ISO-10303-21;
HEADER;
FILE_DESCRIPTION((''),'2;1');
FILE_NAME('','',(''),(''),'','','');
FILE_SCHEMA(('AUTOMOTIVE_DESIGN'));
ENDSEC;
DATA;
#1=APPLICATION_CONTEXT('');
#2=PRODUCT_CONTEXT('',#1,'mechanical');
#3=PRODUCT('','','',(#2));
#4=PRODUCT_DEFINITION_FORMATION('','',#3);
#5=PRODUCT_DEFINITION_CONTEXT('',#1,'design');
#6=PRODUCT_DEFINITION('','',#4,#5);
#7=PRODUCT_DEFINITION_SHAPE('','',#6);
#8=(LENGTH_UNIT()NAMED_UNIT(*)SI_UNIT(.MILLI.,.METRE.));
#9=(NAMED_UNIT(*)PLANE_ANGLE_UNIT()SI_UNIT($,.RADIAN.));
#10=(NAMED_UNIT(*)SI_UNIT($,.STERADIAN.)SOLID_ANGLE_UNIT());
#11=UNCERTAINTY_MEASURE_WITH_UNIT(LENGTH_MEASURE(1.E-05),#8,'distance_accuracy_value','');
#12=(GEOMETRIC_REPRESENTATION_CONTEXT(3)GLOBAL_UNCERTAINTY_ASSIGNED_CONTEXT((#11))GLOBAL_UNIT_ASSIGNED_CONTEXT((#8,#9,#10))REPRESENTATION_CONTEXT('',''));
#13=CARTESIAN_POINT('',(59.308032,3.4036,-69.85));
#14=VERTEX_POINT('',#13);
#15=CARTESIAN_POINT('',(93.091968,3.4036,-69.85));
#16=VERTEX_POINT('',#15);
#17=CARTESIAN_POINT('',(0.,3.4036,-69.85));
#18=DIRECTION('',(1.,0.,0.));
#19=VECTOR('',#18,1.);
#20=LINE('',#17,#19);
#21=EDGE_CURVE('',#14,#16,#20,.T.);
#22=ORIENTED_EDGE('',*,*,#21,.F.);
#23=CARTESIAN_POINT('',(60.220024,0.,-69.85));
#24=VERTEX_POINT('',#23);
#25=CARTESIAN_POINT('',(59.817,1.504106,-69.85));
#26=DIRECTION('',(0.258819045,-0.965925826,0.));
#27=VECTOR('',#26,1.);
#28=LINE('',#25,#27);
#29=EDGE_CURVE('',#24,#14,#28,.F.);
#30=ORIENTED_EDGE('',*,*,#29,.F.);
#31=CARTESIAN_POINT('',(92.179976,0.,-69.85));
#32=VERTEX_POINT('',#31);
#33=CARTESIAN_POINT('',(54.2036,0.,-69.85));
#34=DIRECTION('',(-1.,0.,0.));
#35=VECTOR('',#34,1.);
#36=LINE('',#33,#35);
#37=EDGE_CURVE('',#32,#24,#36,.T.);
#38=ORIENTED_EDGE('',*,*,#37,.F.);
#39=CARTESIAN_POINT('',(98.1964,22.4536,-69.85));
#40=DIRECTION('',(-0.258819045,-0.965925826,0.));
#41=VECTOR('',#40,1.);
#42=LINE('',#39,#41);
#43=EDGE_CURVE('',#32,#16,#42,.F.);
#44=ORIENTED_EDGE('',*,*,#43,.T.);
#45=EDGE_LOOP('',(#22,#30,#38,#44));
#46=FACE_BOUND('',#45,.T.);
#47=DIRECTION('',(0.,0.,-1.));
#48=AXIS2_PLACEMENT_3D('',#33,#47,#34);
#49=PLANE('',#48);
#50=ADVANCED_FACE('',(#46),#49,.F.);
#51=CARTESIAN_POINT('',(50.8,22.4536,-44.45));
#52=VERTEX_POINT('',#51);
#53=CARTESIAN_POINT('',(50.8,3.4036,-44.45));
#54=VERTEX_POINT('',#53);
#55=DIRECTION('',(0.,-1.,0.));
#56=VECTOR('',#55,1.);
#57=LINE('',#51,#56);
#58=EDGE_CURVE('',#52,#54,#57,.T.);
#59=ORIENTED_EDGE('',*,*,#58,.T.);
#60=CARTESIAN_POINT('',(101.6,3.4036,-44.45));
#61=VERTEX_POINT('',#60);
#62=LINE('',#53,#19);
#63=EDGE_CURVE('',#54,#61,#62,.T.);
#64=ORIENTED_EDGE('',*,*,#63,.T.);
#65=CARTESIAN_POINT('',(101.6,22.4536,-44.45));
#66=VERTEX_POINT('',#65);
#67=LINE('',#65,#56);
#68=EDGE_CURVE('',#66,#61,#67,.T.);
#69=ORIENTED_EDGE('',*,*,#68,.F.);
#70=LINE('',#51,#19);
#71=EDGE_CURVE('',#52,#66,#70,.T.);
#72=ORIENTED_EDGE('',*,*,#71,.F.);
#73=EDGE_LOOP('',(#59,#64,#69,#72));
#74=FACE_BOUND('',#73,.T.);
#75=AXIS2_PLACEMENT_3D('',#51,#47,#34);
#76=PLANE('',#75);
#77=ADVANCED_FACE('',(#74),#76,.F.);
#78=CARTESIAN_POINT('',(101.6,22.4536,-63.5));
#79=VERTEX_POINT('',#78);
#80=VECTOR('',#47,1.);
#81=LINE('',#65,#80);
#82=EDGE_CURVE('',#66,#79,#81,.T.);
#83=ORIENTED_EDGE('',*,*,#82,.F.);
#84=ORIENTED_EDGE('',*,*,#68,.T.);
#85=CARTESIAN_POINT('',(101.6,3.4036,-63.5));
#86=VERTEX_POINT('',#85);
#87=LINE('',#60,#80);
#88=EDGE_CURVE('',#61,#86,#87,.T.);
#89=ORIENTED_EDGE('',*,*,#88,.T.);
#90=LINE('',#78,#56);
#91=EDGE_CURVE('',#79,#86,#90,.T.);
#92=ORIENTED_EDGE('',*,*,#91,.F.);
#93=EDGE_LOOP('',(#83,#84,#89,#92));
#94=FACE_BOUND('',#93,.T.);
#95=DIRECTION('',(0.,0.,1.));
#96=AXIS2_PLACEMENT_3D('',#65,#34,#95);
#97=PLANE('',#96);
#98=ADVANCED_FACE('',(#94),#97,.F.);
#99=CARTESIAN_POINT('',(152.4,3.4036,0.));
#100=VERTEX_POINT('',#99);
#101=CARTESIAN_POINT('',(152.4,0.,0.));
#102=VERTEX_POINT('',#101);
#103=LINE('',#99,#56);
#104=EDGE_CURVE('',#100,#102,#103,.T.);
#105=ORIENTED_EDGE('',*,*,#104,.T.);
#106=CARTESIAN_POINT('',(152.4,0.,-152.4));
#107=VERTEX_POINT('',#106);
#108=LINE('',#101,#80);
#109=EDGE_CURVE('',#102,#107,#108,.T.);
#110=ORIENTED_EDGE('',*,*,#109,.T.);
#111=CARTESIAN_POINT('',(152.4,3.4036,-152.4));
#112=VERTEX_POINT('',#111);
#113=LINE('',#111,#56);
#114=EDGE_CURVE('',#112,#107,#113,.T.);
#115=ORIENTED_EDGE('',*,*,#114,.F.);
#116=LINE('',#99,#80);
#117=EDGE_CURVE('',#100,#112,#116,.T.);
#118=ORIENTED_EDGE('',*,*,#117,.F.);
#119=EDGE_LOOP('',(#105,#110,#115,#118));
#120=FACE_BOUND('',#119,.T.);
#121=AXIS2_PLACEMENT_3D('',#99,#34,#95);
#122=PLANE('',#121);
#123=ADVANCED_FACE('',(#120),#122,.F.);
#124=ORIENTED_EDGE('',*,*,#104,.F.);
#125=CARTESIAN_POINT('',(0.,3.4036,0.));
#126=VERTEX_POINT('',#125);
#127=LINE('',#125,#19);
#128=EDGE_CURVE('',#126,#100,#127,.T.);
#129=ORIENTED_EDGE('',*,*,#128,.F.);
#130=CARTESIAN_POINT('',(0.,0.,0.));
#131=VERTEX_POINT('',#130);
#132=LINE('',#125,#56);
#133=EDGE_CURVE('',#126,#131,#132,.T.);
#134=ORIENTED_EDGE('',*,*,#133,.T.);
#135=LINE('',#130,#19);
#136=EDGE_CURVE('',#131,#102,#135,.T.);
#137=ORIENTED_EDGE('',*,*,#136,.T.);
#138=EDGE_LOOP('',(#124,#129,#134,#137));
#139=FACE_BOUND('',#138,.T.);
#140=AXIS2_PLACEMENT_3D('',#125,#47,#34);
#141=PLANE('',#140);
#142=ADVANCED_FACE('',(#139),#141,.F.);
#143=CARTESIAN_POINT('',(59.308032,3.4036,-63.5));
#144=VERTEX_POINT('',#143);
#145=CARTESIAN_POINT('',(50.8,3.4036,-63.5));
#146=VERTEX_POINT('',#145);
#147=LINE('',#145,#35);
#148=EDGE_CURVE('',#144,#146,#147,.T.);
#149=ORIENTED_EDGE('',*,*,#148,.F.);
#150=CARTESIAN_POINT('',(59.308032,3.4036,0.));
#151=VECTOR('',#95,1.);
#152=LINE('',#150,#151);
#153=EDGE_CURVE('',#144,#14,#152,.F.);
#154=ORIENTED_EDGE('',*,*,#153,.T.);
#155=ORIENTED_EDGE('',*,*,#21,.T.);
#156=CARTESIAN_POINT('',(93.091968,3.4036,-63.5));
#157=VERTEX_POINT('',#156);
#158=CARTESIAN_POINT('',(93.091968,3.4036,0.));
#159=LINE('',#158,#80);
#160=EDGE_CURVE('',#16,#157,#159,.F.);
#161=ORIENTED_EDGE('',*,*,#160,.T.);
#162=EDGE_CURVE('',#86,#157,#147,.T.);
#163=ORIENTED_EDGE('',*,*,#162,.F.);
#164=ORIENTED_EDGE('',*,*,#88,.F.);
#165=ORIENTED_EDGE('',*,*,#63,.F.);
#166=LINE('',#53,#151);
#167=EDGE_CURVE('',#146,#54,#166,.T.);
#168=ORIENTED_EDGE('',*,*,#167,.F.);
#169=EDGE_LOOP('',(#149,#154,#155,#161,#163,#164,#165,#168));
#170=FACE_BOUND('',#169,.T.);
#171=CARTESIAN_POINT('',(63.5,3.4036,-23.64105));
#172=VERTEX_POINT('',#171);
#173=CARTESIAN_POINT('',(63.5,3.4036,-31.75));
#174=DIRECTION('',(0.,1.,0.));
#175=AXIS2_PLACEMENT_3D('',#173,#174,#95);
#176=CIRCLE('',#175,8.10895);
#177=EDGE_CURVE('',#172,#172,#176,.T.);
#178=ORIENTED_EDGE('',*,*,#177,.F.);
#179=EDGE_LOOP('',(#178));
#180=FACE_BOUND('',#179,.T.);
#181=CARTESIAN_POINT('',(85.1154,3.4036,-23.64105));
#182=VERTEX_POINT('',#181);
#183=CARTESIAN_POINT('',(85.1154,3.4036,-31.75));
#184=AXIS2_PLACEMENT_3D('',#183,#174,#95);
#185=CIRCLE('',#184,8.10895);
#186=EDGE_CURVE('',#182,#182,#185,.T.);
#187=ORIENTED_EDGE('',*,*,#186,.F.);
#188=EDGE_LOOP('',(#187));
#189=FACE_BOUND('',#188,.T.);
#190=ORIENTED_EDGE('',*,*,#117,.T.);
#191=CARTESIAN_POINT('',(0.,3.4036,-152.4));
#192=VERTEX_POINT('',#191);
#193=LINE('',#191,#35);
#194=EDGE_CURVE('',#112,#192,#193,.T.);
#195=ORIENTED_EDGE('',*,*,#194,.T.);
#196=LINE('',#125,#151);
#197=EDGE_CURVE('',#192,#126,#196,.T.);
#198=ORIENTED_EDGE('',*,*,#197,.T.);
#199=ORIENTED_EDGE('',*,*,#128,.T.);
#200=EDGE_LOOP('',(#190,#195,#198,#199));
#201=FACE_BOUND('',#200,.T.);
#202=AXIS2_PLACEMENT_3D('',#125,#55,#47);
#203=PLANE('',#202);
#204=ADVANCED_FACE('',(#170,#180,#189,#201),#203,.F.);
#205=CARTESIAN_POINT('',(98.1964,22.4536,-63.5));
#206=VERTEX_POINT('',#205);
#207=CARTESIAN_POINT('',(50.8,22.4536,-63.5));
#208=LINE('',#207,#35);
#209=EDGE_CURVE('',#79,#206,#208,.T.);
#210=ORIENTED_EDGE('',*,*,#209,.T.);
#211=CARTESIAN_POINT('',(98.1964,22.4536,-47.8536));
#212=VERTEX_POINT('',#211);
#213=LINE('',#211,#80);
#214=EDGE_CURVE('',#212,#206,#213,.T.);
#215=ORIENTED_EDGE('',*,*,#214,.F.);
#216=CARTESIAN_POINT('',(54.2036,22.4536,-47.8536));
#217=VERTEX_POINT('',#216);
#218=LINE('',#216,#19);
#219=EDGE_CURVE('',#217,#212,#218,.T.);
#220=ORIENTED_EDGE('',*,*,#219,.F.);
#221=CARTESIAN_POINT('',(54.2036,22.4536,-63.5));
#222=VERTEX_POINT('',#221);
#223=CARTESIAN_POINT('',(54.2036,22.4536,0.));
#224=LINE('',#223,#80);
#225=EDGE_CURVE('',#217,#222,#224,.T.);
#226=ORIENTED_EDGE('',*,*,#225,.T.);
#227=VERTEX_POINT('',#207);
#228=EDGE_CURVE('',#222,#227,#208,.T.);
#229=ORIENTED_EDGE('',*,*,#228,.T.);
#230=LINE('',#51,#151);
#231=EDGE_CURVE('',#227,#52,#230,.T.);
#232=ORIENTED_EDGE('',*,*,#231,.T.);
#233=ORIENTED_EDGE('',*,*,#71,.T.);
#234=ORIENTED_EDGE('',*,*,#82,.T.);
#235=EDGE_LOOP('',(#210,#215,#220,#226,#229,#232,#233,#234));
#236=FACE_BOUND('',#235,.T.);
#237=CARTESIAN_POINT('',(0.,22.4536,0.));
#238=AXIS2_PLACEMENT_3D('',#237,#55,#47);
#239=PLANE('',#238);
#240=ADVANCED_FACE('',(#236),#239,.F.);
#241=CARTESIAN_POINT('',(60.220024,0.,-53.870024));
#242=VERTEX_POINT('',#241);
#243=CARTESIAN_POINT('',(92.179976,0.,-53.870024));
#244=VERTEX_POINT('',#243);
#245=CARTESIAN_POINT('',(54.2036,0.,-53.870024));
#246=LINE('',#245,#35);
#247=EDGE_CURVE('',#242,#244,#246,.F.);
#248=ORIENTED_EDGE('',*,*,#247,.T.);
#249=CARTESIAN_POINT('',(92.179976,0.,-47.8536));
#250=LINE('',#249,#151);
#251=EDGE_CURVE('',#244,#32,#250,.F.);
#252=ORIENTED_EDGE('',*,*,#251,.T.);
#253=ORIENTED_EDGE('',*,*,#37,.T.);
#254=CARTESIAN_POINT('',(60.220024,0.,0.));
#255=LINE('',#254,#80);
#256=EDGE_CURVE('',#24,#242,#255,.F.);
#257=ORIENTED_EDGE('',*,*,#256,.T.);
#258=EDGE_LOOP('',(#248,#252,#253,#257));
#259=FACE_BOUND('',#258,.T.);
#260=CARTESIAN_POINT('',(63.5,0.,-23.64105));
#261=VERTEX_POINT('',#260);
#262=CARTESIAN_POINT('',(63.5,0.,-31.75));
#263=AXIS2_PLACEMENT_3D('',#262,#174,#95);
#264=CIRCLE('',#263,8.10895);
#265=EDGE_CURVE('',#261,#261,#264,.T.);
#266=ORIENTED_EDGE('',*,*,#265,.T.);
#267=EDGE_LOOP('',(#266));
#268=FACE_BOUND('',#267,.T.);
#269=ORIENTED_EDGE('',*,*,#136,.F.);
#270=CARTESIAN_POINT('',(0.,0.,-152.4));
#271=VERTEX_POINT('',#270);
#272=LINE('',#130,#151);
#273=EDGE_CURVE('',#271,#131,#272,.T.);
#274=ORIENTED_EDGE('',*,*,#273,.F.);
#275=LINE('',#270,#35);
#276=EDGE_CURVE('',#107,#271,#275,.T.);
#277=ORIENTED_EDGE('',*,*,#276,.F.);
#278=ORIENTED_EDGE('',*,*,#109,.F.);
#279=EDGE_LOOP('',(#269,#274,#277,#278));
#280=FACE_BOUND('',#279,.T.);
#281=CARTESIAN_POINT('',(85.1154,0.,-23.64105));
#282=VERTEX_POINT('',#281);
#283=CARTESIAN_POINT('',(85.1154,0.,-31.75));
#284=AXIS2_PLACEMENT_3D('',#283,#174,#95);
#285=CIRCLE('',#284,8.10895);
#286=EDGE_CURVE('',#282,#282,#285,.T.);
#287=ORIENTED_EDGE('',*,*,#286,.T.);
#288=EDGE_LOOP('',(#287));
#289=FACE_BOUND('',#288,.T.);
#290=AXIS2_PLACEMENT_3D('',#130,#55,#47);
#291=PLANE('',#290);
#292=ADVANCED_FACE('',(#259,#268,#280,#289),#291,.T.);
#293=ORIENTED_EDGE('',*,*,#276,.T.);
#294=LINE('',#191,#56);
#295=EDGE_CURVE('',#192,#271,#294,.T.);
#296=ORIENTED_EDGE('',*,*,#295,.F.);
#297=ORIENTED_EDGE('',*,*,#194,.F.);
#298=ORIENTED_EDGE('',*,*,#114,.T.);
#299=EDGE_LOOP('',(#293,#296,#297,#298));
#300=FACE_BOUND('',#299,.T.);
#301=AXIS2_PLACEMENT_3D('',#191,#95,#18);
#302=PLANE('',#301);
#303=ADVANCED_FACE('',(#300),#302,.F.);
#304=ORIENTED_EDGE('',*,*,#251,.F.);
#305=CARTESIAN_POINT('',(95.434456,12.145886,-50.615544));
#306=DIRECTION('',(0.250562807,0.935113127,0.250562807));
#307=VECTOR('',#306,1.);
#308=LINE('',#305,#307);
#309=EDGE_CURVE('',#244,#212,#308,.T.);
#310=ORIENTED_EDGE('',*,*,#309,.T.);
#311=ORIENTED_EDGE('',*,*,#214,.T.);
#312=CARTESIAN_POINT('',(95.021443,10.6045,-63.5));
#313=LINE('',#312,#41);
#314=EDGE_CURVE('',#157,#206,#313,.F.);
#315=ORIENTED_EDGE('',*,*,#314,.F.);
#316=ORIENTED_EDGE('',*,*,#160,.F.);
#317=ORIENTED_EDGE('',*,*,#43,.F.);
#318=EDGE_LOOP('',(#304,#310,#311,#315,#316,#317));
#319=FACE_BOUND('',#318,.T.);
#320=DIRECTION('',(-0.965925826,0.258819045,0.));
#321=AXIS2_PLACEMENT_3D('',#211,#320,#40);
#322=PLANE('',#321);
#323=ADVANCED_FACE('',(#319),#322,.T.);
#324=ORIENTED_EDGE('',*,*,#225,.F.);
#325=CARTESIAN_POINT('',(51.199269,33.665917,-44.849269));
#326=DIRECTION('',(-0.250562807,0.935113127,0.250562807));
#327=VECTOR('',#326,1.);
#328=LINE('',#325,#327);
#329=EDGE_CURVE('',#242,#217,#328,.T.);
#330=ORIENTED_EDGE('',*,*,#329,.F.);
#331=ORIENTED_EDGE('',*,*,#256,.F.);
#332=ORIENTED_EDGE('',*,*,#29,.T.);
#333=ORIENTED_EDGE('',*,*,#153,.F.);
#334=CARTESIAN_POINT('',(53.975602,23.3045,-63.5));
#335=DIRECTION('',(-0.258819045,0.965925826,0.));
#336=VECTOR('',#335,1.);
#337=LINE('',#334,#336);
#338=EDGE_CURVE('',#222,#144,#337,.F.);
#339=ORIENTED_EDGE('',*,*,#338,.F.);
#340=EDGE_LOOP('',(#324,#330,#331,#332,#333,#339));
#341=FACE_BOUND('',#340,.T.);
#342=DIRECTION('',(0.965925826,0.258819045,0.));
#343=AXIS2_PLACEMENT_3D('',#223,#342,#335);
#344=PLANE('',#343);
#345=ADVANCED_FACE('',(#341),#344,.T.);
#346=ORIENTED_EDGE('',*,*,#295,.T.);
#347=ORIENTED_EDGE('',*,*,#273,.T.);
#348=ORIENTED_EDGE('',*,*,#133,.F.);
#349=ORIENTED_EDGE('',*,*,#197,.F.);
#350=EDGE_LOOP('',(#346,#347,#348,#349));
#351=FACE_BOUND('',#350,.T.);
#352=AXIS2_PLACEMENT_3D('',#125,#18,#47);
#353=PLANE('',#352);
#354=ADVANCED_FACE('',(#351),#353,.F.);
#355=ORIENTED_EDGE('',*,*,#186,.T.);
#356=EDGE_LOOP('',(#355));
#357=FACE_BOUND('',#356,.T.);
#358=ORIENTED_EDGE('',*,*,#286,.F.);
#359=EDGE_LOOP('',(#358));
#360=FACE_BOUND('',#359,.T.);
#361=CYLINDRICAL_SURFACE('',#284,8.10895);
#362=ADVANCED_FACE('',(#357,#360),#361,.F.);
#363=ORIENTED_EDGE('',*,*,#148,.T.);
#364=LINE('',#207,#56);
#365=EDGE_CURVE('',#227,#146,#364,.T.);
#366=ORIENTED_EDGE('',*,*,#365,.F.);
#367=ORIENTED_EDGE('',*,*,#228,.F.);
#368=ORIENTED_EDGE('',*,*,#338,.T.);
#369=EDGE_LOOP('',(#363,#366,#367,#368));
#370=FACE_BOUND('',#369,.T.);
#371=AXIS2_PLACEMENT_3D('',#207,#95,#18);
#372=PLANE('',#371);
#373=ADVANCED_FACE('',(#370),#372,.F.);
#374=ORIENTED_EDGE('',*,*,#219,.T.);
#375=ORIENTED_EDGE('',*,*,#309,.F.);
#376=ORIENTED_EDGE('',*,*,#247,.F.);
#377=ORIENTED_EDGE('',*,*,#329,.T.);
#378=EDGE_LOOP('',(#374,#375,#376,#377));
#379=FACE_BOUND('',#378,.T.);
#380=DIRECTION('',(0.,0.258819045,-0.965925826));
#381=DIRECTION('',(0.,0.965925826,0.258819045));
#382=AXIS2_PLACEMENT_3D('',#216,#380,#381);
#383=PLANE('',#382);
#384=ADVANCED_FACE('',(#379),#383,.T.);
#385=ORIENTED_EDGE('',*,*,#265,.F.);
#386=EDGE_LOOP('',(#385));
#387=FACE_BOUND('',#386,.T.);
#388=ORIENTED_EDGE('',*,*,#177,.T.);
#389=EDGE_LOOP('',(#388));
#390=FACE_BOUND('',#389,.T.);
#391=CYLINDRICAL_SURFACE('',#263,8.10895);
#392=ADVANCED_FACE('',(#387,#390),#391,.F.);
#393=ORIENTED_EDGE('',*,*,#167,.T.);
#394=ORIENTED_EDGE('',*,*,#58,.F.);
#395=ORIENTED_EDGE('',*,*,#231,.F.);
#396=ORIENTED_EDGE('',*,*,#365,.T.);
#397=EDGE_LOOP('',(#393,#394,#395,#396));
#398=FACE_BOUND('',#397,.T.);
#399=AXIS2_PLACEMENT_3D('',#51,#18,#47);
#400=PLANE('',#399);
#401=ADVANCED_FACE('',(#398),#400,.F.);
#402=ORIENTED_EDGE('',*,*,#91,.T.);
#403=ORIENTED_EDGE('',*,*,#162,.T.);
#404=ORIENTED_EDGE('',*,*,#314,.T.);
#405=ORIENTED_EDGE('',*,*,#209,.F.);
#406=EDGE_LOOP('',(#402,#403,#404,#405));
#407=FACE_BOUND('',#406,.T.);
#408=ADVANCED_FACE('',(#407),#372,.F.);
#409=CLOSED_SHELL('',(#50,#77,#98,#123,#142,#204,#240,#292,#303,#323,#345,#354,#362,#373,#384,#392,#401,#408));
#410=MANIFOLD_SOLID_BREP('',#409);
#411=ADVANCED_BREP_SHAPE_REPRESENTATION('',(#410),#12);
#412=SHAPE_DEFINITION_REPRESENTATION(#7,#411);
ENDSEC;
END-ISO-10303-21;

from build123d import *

# Parameters (mm, degrees)
SKETCH1_W           = 152.4
SKETCH1_H           = 152.4
BOSS_EXTRUDE1_DEPTH = 3.4036
SKETCH2_R           = 8.10895
CUT_EXTRUDE1_DEPTH  = 216.553020143
SKETCH3_W           = 50.8
SKETCH3_H           = 19.05
BOSS_EXTRUDE2_DEPTH = 19.05
SKETCH4_W           = 43.9928
SKETCH4_H           = 21.9964
CUT_EXTRUDE2_DEPTH  = 217.692602903
DRAFT1_ANGLE        = 15


with BuildPart() as part:
    # Sketch1 → Boss-Extrude1 (new body)
    with BuildSketch(Plane(origin=(0, 0, 0), x_dir=(1, 0, 0), z_dir=(0, 1, 0))):
        with Locations((76.2, 76.2)):
            Rectangle(SKETCH1_W, SKETCH1_H)
    extrude(amount=BOSS_EXTRUDE1_DEPTH)

    # Sketch2 → Cut-Extrude1 (cut, through all)
    with BuildSketch(Plane(origin=(0, 3.4036, 0), x_dir=(1, 0, 0), z_dir=(0, 1, 0))):
        with Locations(Location((63.5, 31.75, 0), (0, 0, 270))):
            Circle(SKETCH2_R)
        with Locations(Location((85.1154, 31.75, 0), (0, 0, 270))):
            Circle(SKETCH2_R)
    extrude(amount=-CUT_EXTRUDE1_DEPTH, mode=Mode.SUBTRACT)

    # Sketch3 → Boss-Extrude2 (add)
    with BuildSketch(Plane(origin=(0, 3.4036, 0), x_dir=(1, 0, 0), z_dir=(0, 1, 0))):
        with Locations((76.2, 53.975)):
            Rectangle(SKETCH3_W, SKETCH3_H)
    extrude(amount=BOSS_EXTRUDE2_DEPTH)

    # Sketch4 → Cut-Extrude2 (cut, through all)
    with BuildSketch(Plane(origin=(0, 22.4536, 0), x_dir=(1, 0, 0), z_dir=(0, 1, 0))):
        with Locations((76.2, 58.8518)):
            Rectangle(SKETCH4_W, SKETCH4_H)
    extrude(amount=-CUT_EXTRUDE2_DEPTH, mode=Mode.SUBTRACT)

    # Draft1
    draft1_faces = [part.faces().sort_by_distance(p)[0] for p in [
        (54.2036, 10.674787523, -56.314190406),
        (98.1964, 10.674787523, -56.314190406),
        (76.2, 11.2268, -47.8536),
    ]]
    draft(draft1_faces, Plane.ZX.offset(22.4536), DRAFT1_ANGLE)


solid = part.part
